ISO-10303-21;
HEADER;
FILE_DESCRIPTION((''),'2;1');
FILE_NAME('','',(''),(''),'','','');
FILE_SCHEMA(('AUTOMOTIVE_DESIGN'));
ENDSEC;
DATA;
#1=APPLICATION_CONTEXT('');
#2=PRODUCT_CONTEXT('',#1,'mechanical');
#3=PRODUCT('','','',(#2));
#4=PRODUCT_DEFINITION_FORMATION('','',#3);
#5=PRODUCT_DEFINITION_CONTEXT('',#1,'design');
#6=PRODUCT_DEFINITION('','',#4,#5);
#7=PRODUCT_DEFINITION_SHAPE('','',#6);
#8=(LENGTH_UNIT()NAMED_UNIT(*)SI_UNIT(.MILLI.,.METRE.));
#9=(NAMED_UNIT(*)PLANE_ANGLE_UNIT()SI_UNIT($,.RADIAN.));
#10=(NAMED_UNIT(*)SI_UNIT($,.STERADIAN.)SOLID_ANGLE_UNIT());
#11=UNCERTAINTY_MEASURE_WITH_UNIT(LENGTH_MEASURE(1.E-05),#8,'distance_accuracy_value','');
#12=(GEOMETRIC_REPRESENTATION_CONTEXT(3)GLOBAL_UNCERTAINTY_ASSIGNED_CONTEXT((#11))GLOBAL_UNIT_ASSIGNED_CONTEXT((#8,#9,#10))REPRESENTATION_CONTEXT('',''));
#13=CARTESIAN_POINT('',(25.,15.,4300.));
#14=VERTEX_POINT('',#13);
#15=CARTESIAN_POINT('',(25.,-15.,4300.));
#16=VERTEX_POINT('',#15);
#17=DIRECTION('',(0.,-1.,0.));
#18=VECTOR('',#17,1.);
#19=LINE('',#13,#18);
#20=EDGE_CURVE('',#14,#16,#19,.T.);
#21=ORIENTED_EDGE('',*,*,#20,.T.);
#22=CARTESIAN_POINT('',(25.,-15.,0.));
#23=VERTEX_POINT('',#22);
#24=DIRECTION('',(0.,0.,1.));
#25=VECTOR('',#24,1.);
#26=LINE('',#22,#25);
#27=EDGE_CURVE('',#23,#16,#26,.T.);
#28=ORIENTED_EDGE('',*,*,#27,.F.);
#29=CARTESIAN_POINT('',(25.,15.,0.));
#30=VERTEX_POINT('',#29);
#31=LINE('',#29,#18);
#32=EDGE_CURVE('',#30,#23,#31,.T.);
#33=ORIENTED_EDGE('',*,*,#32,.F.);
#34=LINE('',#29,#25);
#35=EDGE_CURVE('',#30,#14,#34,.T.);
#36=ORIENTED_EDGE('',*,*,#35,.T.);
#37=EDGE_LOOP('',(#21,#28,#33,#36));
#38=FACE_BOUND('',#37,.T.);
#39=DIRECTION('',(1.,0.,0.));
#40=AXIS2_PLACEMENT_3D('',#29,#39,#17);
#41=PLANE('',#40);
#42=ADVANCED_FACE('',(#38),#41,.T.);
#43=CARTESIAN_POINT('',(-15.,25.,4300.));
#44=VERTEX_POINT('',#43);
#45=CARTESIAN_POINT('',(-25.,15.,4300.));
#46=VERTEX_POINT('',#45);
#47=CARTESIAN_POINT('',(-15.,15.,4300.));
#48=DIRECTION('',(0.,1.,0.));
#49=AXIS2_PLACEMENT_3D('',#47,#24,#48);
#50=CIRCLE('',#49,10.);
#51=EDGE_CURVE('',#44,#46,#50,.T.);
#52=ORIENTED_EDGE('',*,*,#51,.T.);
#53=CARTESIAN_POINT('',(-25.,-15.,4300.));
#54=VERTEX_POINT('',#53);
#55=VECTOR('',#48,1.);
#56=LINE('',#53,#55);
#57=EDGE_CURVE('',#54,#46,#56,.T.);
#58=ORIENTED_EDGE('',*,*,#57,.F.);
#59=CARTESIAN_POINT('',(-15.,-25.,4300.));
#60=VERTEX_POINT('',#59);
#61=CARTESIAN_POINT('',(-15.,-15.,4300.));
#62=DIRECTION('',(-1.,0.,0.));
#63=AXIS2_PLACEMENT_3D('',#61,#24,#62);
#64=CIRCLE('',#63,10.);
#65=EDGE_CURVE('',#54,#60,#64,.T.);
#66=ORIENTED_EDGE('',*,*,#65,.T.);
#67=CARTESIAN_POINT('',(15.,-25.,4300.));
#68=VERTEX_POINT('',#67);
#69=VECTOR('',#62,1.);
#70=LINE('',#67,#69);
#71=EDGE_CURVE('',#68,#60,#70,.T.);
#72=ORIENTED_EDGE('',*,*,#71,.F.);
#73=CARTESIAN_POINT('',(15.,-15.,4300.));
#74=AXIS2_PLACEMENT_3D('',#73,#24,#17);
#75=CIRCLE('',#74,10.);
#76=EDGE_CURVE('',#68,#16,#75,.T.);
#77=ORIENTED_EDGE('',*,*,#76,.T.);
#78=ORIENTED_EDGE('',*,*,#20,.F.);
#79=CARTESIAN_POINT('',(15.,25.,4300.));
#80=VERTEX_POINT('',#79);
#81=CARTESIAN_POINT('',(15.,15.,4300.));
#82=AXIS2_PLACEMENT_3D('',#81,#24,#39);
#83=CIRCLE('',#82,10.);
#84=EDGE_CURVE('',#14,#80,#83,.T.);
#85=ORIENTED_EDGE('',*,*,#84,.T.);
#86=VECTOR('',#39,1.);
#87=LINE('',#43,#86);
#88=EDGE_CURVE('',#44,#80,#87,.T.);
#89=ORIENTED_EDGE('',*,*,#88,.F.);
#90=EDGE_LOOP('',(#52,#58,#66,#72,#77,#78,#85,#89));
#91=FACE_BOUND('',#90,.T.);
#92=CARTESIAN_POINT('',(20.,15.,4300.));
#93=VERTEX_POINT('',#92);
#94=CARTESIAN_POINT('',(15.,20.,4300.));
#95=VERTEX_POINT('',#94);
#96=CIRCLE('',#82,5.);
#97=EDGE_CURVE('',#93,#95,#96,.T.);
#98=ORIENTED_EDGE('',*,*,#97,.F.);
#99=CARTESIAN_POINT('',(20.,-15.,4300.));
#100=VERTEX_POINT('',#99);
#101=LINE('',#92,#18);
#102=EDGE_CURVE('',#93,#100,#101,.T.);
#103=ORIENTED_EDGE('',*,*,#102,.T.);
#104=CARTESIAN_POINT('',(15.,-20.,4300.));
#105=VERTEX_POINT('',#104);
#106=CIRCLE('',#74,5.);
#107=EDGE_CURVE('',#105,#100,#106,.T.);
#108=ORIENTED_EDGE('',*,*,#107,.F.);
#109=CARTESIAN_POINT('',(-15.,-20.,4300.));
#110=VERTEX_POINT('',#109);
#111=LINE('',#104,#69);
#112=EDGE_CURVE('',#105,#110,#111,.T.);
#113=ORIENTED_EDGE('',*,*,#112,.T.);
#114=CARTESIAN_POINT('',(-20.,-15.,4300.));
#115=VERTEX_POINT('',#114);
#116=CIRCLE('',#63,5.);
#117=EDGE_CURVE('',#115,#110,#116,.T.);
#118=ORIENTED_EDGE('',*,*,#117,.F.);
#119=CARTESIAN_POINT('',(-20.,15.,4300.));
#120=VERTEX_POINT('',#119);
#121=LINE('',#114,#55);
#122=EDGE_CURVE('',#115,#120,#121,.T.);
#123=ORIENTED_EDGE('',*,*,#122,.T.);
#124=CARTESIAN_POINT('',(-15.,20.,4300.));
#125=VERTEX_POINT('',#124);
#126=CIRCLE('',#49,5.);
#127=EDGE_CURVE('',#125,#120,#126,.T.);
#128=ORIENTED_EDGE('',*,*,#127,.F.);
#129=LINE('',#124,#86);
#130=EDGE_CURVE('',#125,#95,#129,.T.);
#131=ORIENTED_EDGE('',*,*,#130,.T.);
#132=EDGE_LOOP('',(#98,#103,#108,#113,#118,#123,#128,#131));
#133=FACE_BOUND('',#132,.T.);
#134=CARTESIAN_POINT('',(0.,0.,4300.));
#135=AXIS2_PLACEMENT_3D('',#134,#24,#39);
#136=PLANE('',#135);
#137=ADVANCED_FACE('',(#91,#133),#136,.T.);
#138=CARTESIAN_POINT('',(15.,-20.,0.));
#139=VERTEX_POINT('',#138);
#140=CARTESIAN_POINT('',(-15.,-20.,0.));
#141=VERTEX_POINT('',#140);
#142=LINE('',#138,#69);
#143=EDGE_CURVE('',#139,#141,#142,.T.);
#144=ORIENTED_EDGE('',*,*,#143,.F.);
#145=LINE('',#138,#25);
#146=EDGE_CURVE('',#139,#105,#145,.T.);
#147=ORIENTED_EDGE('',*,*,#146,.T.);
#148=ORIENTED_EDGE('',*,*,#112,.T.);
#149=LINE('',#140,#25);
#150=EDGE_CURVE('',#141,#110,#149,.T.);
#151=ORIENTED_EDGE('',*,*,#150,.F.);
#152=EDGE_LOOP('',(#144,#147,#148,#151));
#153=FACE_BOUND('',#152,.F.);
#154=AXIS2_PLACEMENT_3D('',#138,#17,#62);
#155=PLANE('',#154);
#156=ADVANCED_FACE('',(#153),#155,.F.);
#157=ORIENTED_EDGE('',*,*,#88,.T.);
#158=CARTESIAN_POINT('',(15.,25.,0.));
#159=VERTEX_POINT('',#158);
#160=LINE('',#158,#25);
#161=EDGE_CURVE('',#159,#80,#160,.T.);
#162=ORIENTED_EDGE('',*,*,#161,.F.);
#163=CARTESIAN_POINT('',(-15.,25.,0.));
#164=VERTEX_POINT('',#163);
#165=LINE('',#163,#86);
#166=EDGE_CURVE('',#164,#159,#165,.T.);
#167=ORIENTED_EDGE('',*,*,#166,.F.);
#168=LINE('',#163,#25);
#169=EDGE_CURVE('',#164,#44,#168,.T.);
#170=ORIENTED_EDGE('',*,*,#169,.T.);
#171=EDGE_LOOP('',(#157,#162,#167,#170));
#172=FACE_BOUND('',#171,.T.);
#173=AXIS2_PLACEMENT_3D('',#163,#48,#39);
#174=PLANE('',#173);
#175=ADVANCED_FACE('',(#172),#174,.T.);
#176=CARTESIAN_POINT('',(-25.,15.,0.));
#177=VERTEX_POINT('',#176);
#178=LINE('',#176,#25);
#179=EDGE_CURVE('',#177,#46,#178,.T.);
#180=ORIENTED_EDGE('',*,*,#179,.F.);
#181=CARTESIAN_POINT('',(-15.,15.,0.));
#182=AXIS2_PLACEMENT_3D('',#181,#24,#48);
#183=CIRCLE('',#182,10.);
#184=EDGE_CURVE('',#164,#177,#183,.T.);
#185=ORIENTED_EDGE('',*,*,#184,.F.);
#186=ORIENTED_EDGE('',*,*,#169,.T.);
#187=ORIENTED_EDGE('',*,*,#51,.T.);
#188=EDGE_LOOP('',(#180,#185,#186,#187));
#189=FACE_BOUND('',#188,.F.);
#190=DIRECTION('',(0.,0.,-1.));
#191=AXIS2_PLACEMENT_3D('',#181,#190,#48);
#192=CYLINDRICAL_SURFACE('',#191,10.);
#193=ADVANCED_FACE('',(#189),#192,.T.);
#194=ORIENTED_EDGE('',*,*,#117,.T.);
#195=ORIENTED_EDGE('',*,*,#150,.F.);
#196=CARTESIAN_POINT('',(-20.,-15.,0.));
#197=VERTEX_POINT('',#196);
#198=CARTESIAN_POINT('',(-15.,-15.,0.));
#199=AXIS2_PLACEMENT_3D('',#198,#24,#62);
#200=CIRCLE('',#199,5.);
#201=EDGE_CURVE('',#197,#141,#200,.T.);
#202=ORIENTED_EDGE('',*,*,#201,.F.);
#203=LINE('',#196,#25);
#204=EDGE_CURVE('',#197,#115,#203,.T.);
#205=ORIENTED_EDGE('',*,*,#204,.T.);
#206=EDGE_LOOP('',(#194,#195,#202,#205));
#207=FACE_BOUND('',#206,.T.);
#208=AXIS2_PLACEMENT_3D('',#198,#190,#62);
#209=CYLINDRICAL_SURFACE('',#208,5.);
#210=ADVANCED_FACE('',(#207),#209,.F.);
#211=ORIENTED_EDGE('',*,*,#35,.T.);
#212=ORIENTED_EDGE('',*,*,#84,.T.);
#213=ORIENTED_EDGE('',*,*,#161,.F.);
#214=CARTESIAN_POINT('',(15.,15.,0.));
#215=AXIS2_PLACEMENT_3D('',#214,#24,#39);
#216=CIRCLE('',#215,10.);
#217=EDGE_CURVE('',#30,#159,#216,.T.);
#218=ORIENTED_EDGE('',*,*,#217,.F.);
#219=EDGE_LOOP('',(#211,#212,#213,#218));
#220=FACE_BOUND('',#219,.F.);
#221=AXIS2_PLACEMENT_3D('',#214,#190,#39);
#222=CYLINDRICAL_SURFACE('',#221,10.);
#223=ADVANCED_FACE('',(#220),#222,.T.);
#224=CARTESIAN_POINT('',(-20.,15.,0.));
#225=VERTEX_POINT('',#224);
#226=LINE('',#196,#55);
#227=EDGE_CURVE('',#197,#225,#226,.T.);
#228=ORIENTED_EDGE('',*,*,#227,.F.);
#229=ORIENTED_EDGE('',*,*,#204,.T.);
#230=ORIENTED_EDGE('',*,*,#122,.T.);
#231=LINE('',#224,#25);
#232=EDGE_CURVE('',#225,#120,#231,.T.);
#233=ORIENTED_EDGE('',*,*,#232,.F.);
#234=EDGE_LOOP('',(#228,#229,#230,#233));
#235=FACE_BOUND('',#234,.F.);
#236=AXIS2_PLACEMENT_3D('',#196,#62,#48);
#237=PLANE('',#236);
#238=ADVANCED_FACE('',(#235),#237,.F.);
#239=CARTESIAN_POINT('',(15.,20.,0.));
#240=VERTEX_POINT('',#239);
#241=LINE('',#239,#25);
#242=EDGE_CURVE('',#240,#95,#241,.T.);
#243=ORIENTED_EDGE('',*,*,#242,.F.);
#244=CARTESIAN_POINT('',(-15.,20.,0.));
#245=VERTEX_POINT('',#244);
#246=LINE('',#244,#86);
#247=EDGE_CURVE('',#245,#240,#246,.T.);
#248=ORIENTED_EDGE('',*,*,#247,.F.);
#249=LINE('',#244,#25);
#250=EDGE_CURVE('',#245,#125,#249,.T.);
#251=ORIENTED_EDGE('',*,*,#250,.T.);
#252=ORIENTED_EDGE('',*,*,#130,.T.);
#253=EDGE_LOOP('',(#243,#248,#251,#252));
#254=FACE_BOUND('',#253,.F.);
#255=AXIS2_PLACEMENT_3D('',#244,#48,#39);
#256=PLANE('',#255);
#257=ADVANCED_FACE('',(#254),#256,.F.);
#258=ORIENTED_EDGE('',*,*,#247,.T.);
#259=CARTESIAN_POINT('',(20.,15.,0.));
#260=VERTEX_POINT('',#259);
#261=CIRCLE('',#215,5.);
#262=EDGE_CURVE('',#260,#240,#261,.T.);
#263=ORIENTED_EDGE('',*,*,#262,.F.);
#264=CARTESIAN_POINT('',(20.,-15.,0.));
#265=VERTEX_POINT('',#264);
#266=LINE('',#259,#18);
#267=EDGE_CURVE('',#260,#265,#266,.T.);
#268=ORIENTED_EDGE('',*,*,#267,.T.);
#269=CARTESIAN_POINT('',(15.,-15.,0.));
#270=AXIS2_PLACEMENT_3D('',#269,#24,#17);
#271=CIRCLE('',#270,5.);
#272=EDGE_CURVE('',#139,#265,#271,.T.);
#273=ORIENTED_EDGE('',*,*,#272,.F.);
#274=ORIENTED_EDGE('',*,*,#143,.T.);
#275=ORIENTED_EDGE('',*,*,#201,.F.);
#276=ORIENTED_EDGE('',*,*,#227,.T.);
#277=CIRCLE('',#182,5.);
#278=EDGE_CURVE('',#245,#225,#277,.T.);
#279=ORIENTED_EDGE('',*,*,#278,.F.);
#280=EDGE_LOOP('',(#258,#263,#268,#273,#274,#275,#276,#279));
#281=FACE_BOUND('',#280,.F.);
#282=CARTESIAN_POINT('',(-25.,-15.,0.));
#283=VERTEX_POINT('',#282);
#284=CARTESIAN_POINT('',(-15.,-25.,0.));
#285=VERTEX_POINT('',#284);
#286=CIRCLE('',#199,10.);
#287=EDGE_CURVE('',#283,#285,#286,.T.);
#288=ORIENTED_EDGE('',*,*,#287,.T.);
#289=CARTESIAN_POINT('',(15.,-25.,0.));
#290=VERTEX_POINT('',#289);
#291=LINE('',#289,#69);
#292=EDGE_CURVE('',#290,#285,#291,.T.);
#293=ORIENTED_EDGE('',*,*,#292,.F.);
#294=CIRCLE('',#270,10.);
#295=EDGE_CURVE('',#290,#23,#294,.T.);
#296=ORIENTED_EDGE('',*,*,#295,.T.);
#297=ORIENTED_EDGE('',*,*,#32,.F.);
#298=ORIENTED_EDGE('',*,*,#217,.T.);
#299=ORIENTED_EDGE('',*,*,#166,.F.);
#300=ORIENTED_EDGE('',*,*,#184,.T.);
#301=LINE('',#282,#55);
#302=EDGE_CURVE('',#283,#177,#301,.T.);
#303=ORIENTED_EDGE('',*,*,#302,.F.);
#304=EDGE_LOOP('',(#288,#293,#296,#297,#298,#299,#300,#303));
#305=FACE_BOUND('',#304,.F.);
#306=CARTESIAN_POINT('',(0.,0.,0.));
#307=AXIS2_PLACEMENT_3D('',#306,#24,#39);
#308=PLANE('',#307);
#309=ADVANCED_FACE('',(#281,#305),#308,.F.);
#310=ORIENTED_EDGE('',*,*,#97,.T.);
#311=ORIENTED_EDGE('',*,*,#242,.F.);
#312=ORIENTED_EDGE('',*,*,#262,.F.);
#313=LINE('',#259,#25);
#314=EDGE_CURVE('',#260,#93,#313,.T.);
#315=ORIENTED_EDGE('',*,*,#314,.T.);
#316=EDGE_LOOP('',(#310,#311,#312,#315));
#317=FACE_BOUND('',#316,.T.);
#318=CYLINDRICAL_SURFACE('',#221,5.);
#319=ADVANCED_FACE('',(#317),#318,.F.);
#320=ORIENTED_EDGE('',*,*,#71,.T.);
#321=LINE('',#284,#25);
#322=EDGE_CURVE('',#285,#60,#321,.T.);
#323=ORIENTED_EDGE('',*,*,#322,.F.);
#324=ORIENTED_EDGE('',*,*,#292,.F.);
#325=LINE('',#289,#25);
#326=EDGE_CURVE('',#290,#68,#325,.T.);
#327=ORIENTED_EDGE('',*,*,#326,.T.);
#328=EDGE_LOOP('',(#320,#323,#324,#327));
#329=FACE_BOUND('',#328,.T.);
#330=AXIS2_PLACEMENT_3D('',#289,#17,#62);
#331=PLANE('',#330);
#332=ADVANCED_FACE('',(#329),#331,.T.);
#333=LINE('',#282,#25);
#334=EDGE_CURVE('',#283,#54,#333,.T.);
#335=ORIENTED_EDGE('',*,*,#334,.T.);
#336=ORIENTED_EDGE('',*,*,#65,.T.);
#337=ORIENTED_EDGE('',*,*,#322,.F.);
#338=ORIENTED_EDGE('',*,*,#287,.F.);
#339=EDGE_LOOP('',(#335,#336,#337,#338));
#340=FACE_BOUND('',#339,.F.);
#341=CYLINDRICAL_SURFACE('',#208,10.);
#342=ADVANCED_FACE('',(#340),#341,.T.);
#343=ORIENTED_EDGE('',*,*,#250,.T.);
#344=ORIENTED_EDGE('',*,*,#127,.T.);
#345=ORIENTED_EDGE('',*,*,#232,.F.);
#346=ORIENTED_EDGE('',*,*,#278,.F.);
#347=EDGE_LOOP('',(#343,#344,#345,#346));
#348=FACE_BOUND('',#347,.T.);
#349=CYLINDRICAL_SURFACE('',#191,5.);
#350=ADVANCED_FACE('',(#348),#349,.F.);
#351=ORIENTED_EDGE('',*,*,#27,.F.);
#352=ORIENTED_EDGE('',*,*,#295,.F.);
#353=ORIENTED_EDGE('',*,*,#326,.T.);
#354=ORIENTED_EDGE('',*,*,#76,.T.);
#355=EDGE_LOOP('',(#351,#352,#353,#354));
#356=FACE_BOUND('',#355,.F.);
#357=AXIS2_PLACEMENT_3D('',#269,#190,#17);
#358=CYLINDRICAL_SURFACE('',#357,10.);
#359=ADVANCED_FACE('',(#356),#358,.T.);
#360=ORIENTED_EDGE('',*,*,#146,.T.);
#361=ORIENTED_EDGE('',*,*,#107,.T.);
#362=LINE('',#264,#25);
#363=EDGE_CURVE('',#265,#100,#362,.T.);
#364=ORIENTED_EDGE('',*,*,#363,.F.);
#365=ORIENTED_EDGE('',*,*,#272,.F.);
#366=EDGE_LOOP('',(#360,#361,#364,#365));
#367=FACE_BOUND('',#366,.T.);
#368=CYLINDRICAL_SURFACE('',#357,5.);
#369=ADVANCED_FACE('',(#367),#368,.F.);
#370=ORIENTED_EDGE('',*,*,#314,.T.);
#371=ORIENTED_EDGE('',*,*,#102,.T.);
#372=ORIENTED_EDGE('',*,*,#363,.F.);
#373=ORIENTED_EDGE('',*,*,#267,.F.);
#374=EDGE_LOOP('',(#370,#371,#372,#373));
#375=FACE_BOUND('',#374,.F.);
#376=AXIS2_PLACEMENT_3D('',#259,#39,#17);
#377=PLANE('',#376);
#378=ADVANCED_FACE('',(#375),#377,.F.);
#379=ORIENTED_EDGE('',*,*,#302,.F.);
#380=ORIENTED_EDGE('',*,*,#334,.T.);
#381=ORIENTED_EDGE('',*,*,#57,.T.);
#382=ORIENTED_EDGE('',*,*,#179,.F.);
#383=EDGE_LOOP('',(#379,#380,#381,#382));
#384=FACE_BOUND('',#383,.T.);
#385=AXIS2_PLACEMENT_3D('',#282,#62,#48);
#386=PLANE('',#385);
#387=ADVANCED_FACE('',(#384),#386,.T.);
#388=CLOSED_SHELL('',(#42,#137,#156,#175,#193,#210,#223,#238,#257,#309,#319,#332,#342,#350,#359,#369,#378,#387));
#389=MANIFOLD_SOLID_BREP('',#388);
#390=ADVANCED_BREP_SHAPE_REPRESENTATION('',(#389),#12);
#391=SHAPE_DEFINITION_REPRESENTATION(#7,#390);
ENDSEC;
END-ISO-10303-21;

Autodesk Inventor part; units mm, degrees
ref_plane "YZ Plane" through (0, 0, 0) normal (1, 0, 0) x (0, 1, 0)
ref_plane "Start Plane" through (0, 0, 0) normal (0, 0, 1) x (1, 0, 0)
ref_plane "End Plane" through (0, 0, 4300) normal (0, 0, 1) x (1, 0, 0)
sketch "Sketch" plane through (0, 0, 0) normal (0, 0, 1) x (1, 0, 0)
  line L0 (-25, -15) -> (-25, 15)
  line L1 (-15, 25) -> (15, 25)
  line L2 (25, 15) -> (25, -15)
  line L3 (15, -25) -> (-15, -25)
  arc A0 (-25, -15) -> (-15, -25) centre (-15, -15) ccw
  arc A1 (25, 15) -> (15, 25) centre (15, 15) ccw
  arc A2 (-15, 25) -> (-25, 15) centre (-15, 15) ccw
  arc A3 (15, -25) -> (25, -15) centre (15, -15) ccw
  arc A4 (-15, 20) -> (-20, 15) centre (-15, 15) ccw
  line L4 (-15, 20) -> (15, 20)
  arc A5 (20, 15) -> (15, 20) centre (15, 15) ccw
  line L5 (20, 15) -> (20, -15)
  arc A6 (15, -20) -> (20, -15) centre (15, -15) ccw
  line L6 (15, -20) -> (-15, -20)
  arc A7 (-20, -15) -> (-15, -20) centre (-15, -15) ccw
  line L7 (-20, -15) -> (-20, 15)
  line L8 (0, 37.8995) -> (0, -37.8995) construction
  line L9 (-37.8995, 0) -> (37.8995, 0) construction
  dimension "d7" = 10
  dimension "d9" = 50
  dimension "d11" = 50
  dimension "d12" = 5
  dimension "d15" = 25
  dimension "d16" = 25
extrude "Body" add sketch "Sketch" along normal up to surface (4300 mm away) from surface at 0
sketch "Sketch3" plane through (0, 0, 0) normal (0, 0, 1) x (1, 0, 0)
  line L0 (0, 0) -> (10, 0)
ref_plane "Work Plane3" through (0, 0, 0) normal (0, -1, 0) x (1, 0, 0)
sketch "Sketch4" plane through (0, 0, 0) normal (0, -1, 0) x (1, 0, 0)
  line L0 (-2, 0) -> (12, 0)
  line L1 (-2, 4300) -> (12, 4300)
  dimension "d18" = 4300
equation "\"d7\" = G_IR"
equation "\"d9\" = G_W"
equation "\"d11\" = G_H"
equation "\"d12\" = G_T"
equation "\"d15\" = 0.5 * d9"
equation "\"d16\" = 0.5 * d11"
equation "\"d3\" = G_L"
equation "\"G_W\" = 50"
equation "\"G_H\" = 50"
equation "\"G_T\" = 5"
equation "\"G_IR\" = 10"
equation "\"G_L\" = d18"
equation "\"G_OFFSET_START\" = 0"
equation "\"G_OFFSET_END\" = 0"
properties part number "ISO 10799-2 50x50x5 1744280629508" material "Steel, Mild"
